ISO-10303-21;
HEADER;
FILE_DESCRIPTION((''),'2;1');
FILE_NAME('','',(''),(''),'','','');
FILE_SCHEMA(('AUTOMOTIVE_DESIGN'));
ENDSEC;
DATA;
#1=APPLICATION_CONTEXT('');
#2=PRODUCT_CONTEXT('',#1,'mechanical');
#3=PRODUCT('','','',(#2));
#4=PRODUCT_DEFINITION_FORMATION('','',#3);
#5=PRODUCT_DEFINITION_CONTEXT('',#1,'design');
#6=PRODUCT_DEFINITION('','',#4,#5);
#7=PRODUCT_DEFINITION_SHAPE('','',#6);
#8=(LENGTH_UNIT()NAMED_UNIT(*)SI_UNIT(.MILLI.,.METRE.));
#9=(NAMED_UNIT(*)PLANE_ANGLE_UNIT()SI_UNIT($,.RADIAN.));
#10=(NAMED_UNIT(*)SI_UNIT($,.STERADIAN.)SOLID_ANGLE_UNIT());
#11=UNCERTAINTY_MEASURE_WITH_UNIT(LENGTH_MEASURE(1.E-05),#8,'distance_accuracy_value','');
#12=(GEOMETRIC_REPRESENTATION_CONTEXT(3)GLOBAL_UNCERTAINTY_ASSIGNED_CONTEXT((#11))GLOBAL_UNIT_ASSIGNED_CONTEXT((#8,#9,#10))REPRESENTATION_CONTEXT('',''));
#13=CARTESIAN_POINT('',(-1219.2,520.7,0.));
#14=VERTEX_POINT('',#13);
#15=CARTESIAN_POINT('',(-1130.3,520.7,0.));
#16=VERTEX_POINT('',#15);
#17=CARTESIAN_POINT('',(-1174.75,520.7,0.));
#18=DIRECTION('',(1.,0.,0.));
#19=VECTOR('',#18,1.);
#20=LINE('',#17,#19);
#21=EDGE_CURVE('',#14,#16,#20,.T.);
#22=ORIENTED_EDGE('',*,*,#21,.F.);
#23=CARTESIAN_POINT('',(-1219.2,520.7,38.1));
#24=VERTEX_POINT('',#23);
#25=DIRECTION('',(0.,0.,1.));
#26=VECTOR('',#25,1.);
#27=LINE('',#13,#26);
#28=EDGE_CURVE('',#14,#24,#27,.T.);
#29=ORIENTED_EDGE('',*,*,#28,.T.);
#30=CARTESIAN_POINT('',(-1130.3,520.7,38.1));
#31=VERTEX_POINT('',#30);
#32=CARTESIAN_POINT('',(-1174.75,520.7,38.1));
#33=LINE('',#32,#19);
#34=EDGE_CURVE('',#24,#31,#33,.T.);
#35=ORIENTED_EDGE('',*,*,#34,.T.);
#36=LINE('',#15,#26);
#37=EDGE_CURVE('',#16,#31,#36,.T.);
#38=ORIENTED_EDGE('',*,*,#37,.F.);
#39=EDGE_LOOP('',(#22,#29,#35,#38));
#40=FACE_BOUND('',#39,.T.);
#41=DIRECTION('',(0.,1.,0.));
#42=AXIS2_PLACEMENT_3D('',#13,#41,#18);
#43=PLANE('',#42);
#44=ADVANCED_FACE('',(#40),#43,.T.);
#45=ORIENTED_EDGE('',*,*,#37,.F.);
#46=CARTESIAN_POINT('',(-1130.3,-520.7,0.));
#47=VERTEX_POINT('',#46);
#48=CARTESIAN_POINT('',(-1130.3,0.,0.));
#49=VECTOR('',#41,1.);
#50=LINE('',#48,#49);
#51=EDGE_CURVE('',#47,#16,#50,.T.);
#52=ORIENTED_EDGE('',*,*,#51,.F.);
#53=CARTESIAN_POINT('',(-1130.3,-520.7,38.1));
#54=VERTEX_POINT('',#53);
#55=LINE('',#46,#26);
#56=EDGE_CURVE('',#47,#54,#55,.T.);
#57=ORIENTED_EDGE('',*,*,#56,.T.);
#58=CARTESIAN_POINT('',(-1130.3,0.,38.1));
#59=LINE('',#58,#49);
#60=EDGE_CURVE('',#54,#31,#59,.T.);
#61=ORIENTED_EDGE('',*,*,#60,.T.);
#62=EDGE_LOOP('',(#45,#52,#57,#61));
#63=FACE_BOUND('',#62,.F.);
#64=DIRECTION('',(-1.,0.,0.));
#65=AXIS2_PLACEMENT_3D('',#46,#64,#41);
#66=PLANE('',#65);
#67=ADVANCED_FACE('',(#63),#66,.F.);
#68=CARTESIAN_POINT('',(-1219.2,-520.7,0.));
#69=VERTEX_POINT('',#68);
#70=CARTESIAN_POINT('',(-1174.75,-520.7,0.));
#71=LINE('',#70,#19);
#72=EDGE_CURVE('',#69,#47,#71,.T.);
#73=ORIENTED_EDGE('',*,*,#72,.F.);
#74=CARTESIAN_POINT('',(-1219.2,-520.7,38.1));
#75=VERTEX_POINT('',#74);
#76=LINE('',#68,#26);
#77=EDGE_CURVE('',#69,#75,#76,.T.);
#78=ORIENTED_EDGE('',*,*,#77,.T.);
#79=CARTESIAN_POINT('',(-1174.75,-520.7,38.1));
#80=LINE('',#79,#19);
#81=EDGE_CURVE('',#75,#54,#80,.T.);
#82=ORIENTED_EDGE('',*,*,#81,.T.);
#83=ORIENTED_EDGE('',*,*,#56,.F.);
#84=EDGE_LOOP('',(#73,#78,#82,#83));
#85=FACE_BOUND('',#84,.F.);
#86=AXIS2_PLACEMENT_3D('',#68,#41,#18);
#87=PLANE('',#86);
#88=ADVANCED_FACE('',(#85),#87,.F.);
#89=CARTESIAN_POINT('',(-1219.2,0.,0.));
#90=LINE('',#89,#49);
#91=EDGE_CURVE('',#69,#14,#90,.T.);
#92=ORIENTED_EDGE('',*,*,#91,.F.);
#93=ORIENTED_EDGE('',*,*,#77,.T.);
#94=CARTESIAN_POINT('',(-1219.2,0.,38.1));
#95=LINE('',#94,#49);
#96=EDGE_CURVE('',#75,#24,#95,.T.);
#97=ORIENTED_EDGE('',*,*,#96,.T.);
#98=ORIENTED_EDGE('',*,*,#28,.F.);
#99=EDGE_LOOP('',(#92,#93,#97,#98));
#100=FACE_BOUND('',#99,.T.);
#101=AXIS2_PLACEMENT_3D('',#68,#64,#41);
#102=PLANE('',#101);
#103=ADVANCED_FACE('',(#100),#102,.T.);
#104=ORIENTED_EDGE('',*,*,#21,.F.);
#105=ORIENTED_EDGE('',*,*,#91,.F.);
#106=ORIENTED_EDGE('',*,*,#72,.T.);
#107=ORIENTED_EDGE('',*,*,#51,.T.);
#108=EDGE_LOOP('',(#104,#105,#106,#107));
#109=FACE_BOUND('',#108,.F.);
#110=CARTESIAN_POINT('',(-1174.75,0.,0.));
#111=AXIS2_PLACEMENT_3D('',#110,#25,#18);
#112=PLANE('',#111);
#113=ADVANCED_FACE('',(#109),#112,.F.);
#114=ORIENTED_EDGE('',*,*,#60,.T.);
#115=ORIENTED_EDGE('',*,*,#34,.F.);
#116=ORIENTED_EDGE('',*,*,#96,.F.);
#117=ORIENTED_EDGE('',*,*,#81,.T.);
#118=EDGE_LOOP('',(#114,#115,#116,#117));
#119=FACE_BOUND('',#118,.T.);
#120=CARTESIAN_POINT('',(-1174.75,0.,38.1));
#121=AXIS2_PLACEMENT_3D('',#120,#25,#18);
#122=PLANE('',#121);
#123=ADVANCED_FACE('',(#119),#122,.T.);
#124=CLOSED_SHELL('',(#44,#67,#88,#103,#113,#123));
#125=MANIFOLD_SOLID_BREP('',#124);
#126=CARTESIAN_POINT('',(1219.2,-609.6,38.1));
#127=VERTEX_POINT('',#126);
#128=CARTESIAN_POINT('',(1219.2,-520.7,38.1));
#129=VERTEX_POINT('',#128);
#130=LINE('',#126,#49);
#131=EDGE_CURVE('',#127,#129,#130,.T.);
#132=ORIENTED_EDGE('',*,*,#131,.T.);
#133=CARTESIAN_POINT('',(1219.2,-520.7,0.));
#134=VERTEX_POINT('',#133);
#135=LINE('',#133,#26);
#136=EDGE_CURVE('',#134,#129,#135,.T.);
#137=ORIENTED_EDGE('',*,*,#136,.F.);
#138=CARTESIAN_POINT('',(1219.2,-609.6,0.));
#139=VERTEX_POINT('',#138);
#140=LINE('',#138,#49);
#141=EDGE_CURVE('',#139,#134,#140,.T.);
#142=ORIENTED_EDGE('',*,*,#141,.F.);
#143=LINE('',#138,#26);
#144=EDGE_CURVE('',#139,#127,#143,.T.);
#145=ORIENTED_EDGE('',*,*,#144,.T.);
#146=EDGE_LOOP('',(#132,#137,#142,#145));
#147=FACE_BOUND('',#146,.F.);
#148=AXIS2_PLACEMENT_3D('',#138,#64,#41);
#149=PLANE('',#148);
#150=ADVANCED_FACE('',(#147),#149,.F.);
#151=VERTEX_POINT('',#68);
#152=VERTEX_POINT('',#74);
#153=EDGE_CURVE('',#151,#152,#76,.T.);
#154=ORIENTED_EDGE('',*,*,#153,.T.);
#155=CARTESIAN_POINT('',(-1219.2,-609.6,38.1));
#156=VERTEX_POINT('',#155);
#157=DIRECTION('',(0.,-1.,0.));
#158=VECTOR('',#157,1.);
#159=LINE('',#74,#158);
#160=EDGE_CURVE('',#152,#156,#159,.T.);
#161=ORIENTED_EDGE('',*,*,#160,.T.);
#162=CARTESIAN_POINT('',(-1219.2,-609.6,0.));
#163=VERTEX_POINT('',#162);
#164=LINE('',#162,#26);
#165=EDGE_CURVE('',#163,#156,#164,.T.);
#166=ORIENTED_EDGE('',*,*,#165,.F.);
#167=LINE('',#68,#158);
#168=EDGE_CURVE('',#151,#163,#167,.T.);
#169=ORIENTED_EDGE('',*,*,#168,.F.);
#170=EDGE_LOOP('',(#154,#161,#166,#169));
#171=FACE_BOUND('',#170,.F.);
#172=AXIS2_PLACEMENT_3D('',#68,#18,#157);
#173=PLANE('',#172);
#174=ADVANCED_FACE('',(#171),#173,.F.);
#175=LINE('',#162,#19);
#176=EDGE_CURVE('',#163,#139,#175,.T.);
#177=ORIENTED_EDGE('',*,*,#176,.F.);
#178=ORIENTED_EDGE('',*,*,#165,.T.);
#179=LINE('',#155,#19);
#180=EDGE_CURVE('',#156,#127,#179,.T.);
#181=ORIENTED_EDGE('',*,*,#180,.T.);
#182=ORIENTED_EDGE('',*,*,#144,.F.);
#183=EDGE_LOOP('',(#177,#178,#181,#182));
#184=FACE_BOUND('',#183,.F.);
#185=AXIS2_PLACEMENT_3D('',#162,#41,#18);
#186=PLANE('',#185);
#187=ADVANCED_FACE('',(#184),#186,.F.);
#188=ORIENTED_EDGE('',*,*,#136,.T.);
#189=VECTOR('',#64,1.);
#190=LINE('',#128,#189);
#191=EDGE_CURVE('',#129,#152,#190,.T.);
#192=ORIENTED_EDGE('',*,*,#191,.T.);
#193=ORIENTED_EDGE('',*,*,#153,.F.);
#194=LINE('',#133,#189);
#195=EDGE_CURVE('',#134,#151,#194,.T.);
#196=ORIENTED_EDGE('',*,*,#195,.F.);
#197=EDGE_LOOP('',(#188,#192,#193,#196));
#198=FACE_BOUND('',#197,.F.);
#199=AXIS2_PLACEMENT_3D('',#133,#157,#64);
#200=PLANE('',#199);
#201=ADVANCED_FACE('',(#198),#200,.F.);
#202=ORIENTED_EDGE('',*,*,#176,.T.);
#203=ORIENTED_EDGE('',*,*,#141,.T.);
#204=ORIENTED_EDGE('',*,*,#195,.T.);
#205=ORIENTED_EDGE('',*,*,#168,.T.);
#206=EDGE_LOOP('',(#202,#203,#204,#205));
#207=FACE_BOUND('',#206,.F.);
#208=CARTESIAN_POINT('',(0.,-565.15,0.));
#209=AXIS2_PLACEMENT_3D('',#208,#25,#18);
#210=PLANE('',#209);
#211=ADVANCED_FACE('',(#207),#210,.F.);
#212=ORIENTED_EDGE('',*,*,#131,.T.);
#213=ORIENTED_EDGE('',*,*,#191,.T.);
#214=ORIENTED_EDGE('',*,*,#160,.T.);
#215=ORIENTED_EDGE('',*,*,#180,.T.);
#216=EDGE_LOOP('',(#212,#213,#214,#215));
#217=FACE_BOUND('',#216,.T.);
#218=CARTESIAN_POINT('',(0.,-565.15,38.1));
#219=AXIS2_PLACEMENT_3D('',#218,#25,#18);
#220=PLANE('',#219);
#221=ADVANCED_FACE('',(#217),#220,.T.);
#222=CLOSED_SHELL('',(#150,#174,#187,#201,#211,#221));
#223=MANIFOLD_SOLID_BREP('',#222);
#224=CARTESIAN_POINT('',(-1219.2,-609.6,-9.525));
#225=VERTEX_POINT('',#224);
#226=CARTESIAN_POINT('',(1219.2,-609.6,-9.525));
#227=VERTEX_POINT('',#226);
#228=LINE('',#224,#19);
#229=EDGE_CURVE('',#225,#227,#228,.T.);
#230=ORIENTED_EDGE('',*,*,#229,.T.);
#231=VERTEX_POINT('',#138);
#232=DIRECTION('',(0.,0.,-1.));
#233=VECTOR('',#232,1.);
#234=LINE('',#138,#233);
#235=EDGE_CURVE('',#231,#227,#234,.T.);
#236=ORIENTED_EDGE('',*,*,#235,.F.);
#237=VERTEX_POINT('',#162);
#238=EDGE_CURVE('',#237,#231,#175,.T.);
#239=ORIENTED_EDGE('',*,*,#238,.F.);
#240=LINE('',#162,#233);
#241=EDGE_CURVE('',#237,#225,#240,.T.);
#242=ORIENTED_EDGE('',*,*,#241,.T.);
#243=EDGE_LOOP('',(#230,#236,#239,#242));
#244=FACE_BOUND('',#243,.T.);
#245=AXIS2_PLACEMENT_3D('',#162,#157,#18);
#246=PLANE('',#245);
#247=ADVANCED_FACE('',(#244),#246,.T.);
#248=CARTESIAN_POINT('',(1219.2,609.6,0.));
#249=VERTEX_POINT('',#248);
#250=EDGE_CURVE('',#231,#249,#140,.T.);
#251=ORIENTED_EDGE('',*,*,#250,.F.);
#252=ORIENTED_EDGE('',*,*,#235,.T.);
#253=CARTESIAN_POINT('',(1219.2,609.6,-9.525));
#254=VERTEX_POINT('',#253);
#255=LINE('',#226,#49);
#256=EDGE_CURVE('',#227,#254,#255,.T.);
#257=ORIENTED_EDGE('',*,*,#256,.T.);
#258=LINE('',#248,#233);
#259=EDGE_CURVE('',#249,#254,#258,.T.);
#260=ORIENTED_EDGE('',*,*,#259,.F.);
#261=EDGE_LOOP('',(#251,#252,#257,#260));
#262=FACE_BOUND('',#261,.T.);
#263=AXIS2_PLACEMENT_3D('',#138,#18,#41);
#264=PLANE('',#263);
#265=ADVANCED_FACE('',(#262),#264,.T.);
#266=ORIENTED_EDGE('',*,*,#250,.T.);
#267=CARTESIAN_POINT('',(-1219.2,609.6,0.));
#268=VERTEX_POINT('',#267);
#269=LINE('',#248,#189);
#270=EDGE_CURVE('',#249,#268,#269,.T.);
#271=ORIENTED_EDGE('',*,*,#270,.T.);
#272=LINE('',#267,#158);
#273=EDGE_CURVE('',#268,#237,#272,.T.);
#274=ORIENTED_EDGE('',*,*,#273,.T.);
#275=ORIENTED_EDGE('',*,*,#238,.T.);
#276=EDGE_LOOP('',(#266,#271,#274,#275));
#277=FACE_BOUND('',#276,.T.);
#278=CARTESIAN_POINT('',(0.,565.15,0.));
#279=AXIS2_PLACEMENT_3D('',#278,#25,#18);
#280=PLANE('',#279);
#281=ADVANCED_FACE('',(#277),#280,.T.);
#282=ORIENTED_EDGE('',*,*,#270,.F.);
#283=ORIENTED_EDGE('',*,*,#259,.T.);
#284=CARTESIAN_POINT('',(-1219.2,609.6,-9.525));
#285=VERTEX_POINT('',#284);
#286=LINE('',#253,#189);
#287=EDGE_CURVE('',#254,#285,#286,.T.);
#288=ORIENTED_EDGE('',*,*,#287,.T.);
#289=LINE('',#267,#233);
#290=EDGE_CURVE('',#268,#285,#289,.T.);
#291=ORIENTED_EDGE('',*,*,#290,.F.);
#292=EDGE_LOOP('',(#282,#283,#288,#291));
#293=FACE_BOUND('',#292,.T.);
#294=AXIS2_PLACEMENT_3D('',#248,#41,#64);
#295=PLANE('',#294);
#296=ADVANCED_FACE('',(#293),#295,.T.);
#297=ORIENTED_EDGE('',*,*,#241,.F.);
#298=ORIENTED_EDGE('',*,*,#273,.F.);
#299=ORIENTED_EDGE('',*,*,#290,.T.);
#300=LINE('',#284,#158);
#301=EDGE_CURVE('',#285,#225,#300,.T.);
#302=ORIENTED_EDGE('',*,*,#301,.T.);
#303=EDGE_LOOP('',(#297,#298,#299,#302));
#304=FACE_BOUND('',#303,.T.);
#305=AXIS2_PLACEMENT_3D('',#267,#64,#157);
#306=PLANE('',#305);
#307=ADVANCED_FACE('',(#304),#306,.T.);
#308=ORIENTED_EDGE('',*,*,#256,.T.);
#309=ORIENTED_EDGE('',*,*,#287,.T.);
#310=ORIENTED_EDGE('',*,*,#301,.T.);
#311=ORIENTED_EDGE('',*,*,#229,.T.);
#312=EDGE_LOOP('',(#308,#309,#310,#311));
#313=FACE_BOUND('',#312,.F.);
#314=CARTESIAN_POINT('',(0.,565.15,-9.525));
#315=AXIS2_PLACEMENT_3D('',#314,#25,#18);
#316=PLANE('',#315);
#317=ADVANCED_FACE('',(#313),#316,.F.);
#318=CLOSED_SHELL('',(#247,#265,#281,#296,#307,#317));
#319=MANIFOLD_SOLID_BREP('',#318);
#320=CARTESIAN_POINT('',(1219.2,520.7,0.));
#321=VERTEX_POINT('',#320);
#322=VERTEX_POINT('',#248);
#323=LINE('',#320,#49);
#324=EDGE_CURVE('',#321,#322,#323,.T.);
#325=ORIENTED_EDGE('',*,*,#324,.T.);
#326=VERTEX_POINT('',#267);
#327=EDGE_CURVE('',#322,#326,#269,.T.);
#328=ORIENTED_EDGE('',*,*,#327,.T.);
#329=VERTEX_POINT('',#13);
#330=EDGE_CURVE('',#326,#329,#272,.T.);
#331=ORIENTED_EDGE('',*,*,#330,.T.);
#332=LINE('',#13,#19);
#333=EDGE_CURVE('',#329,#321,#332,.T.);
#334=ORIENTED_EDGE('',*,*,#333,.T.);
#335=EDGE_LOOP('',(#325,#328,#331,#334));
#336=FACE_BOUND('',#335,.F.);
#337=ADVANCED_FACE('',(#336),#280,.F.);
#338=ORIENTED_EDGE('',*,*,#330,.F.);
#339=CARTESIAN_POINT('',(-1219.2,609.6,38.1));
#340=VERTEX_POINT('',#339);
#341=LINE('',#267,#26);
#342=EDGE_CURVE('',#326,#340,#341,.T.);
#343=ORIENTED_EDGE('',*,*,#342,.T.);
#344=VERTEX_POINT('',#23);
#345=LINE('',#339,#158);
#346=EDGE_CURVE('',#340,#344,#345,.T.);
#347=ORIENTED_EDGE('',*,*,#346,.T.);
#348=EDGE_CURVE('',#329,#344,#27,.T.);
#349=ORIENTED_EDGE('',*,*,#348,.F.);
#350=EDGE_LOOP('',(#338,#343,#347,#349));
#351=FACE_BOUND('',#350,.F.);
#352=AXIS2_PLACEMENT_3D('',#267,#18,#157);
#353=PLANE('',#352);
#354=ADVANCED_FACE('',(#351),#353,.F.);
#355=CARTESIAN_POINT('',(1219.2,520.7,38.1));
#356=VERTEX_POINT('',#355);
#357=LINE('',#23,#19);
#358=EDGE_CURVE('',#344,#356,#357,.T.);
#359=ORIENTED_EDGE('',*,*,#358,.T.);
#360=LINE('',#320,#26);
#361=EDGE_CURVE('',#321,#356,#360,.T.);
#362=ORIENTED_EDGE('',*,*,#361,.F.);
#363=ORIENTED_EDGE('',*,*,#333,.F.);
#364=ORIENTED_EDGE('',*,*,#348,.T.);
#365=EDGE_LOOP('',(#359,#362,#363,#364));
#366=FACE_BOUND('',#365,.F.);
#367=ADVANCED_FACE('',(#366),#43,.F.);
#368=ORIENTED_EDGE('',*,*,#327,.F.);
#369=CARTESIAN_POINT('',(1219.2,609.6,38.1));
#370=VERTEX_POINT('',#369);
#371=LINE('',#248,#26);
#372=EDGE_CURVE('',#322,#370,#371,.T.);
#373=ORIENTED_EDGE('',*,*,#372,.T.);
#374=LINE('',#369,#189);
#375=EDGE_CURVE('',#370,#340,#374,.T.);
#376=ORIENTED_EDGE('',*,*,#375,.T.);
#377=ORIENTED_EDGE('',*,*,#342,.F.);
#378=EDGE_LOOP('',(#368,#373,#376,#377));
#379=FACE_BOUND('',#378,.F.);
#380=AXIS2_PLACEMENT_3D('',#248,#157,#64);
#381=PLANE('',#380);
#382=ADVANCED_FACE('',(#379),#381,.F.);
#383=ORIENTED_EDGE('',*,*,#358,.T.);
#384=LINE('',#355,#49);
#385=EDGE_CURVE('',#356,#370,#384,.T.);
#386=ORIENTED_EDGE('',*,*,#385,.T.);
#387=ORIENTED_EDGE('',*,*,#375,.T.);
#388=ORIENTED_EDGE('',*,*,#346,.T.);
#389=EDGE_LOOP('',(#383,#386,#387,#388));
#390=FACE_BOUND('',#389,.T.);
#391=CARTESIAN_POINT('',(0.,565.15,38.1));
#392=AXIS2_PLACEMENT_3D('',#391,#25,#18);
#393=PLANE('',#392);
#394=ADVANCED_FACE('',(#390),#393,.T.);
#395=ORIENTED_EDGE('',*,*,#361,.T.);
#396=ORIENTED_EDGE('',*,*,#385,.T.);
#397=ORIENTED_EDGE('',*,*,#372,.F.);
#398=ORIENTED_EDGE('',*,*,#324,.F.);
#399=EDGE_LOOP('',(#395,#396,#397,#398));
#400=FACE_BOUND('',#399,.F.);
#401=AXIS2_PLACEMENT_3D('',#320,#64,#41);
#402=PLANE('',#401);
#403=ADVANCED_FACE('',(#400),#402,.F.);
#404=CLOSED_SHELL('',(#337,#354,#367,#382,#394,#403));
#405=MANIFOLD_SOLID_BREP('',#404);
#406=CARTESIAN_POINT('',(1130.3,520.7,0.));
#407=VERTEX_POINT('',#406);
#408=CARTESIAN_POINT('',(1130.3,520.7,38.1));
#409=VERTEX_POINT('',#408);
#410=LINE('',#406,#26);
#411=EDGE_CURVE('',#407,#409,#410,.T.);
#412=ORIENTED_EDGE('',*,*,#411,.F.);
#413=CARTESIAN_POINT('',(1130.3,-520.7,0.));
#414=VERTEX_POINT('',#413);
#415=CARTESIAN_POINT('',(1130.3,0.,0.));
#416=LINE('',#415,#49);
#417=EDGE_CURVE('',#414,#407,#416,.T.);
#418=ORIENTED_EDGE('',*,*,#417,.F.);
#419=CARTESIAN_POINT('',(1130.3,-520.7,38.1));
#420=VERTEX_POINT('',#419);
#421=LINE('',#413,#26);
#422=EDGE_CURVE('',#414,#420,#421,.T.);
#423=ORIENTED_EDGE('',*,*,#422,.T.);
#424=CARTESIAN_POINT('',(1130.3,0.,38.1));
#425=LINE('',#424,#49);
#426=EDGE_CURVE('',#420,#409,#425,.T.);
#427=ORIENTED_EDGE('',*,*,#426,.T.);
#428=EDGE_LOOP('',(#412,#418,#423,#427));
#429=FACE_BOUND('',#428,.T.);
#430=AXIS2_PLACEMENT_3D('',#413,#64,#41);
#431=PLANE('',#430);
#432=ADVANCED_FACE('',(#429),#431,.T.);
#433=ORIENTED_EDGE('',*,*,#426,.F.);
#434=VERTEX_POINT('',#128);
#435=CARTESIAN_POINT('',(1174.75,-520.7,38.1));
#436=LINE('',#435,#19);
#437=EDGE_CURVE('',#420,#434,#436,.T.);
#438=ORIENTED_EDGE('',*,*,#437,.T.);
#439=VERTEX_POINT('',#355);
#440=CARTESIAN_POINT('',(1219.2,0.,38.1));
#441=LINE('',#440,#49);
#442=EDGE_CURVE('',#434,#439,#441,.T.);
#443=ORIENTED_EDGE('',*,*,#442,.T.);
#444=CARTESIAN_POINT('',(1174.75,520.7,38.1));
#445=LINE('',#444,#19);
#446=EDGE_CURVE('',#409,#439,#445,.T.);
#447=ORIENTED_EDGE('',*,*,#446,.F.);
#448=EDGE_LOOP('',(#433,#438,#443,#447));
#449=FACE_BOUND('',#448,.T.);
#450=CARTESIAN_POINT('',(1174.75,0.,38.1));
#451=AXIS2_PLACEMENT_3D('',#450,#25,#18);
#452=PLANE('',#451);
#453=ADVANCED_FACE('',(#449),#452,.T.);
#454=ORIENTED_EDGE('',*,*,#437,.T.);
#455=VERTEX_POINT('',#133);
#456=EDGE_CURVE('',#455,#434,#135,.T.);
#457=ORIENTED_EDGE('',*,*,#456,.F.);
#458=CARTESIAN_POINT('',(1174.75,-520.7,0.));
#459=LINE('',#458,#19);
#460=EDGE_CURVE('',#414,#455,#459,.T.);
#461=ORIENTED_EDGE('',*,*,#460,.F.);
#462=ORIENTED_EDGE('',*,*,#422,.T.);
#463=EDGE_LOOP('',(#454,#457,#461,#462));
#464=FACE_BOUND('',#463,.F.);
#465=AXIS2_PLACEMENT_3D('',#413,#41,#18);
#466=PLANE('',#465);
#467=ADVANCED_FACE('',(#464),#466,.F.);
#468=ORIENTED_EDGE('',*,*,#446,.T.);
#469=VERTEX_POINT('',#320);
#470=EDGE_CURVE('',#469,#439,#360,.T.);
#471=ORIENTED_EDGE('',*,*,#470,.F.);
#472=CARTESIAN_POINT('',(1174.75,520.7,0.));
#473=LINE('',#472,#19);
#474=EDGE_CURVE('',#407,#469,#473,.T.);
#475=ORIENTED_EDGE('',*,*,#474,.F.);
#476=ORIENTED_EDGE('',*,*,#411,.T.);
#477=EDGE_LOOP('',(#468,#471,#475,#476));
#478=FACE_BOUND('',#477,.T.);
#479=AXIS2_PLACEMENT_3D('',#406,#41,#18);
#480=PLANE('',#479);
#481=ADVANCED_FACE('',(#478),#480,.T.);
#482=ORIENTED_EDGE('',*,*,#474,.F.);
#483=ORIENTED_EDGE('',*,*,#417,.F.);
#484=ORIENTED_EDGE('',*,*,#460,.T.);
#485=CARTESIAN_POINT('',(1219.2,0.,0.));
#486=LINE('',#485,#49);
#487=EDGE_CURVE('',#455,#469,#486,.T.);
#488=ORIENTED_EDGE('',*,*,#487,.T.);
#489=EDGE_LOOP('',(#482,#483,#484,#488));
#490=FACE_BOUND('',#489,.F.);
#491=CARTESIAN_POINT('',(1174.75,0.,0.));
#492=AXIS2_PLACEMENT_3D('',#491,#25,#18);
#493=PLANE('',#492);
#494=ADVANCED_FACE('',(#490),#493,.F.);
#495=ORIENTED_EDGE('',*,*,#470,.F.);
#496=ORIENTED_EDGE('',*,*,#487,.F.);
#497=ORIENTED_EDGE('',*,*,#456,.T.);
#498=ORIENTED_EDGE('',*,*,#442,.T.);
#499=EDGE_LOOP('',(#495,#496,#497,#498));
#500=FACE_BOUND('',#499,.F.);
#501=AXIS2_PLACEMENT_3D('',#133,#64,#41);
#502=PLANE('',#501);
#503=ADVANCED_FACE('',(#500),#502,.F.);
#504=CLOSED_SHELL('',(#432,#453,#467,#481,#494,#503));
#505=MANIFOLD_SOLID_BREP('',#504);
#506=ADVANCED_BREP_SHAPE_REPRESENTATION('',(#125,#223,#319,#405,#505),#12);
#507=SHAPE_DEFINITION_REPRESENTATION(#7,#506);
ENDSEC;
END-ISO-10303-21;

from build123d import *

# Parameters (mm, degrees)
F1_DEPTH = 38.1
F0_W     = 88.9
F0_H     = 1041.4
F2_DEPTH = 38.1
F0_W_2   = 2260.6
F3_DEPTH = 9.525


with BuildPart() as f1:
    # F0 (on Top) → F1 (new body)
    with BuildSketch(Plane.XY):
        Polygon((1219.2, 520.7), (1219.2, 609.6), (-1219.2, 609.6), (-1219.2, 520.7), (-1130.3, 520.7), (1130.3, 520.7), align=None)
        Polygon((1219.2, -609.6), (1219.2, -520.7), (1130.3, -520.7), (-1130.3, -520.7), (-1219.2, -520.7), (-1219.2, -609.6), align=None)
    extrude(amount=F1_DEPTH)


with BuildPart() as f2:
    # F0 (on Top) → F2 (new body)
    with BuildSketch(Plane.XY):
        with Locations((-1174.75, 0)):
            Rectangle(F0_W, F0_H)
        with Locations((1174.75, 0)):
            Rectangle(F0_W, F0_H)
    extrude(amount=F2_DEPTH)


with BuildPart() as f3:
    # F0 (on Top) → F3 (new body)
    with BuildSketch(Plane.XY):
        Polygon((1219.2, 520.7), (1219.2, 609.6), (-1219.2, 609.6), (-1219.2, 520.7), (-1130.3, 520.7), (1130.3, 520.7), align=None)
        Rectangle(F0_W_2, F0_H)
        with Locations((-1174.75, 0)):
            Rectangle(F0_W, F0_H)
        Polygon((1219.2, -609.6), (1219.2, -520.7), (1130.3, -520.7), (-1130.3, -520.7), (-1219.2, -520.7), (-1219.2, -609.6), align=None)
        with Locations((1174.75, 0)):
            Rectangle(F0_W, F0_H)
    extrude(amount=-F3_DEPTH)


solid = Compound([f1.part, f2.part, f3.part])
